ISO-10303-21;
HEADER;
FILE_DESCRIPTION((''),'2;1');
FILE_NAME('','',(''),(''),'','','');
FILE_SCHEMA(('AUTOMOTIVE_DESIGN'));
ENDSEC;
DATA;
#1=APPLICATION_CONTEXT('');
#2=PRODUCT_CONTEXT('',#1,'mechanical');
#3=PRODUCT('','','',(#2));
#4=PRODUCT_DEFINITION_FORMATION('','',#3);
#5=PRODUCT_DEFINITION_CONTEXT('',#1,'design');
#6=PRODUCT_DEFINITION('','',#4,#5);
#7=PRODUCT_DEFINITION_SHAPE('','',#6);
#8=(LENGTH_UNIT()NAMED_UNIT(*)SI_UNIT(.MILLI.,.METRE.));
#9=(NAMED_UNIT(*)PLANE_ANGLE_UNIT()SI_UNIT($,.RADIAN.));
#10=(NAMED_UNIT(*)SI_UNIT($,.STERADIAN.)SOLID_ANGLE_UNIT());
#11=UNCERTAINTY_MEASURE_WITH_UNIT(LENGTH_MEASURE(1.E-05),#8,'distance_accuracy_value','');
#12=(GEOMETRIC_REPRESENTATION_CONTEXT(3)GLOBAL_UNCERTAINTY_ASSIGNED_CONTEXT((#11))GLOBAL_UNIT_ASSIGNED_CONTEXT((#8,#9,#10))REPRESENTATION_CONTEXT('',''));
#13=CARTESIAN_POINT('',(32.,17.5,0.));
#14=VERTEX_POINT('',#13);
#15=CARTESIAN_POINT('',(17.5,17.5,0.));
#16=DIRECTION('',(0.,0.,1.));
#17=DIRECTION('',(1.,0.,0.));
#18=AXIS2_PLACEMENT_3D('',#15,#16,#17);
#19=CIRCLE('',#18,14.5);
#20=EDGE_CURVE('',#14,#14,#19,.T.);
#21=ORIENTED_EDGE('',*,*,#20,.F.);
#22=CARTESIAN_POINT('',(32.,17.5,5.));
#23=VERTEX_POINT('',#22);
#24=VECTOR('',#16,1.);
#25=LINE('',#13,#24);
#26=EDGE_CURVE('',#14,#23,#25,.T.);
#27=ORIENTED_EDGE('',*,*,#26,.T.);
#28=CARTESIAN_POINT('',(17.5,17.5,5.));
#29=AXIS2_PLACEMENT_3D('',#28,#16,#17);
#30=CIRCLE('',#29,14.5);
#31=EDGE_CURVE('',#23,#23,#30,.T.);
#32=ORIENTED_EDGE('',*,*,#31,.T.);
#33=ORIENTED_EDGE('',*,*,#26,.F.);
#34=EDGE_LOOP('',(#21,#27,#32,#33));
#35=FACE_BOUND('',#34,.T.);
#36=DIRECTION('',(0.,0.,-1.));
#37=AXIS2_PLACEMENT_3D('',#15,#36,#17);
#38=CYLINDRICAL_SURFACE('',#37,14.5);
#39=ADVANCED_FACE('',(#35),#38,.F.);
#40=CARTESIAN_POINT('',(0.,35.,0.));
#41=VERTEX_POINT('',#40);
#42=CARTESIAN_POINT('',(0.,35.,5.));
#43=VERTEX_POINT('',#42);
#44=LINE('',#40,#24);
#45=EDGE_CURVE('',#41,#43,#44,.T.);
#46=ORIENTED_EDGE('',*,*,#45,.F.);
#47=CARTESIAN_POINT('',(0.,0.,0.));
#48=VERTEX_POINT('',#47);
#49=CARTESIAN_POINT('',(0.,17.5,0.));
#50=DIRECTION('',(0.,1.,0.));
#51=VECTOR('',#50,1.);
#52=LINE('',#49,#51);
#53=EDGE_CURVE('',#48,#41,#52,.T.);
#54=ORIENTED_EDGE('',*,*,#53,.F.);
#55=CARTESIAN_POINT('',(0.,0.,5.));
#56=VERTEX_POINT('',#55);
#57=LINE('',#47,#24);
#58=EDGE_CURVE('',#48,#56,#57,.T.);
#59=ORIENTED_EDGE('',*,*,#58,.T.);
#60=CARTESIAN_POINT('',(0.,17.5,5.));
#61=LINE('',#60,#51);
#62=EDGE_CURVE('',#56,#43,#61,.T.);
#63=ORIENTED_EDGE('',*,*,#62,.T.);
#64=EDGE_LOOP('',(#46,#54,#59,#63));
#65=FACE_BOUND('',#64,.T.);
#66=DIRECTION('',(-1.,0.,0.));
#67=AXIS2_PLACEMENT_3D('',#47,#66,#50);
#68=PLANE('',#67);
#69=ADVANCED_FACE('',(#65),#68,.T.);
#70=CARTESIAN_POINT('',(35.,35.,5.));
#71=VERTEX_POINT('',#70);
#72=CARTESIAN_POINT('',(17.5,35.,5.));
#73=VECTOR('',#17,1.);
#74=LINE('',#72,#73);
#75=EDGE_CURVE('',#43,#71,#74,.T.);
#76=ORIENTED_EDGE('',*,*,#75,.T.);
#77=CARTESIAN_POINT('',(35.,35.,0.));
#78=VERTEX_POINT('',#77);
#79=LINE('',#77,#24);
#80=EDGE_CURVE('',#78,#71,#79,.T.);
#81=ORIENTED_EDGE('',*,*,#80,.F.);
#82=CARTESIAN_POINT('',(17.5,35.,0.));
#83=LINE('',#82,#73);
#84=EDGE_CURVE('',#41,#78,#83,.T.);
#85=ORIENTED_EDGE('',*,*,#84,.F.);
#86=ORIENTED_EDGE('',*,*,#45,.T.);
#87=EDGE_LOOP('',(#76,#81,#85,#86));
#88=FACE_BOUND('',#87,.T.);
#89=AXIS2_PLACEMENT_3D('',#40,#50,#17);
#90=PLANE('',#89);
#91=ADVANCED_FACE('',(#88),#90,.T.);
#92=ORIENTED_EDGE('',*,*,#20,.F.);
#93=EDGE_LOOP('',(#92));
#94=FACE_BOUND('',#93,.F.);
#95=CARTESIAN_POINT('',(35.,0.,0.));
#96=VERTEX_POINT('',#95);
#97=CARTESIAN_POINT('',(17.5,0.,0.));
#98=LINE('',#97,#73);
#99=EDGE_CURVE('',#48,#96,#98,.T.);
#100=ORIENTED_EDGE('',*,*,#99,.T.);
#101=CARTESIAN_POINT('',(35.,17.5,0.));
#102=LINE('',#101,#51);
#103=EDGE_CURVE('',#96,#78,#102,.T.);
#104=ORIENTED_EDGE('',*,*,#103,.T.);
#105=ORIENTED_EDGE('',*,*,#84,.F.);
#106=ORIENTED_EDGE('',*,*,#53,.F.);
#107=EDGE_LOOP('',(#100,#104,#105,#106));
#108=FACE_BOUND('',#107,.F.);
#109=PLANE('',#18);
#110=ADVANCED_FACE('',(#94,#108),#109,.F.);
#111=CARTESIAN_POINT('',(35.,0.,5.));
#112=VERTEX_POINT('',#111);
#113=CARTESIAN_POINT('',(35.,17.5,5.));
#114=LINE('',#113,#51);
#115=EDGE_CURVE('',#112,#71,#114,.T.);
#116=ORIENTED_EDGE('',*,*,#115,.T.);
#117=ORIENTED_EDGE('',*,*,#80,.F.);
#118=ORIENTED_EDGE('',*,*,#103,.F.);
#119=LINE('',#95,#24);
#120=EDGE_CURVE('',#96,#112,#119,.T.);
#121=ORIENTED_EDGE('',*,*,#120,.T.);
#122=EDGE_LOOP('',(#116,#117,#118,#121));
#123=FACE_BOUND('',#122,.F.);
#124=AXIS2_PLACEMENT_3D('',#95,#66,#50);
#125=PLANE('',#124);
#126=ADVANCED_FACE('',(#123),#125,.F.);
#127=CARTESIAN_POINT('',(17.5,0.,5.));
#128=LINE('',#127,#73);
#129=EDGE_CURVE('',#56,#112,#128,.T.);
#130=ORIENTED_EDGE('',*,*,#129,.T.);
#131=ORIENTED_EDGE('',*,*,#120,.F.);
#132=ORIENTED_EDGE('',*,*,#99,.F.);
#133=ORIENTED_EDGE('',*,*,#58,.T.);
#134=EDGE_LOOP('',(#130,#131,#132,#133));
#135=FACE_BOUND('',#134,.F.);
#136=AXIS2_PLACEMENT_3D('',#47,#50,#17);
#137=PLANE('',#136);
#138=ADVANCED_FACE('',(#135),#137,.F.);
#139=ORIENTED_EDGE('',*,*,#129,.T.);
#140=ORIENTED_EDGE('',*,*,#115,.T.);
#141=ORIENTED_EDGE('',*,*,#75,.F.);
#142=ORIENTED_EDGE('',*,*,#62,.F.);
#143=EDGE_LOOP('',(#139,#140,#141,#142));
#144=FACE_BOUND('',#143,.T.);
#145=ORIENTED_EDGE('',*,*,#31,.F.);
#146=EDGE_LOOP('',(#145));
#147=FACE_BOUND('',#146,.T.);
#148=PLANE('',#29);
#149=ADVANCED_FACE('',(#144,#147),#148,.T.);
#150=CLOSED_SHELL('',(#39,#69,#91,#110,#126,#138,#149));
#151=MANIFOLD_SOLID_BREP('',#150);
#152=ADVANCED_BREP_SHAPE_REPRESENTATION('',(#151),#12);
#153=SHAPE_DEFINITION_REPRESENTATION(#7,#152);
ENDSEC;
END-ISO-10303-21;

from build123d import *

# Parameters (mm, degrees)
SKETCH_W  = 35
SKETCH_H  = 35
SKETCH_R  = 14.5
PAD_DEPTH = 5


with BuildPart() as part:
    # Sketch → Pad (new body)
    with BuildSketch(Plane.XY):
        with Locations((17.5, 17.5)):
            Rectangle(SKETCH_W, SKETCH_H)
        with Locations((17.5, 17.5)):
            Circle(SKETCH_R, mode=Mode.SUBTRACT)
    extrude(amount=PAD_DEPTH)


solid = part.part
